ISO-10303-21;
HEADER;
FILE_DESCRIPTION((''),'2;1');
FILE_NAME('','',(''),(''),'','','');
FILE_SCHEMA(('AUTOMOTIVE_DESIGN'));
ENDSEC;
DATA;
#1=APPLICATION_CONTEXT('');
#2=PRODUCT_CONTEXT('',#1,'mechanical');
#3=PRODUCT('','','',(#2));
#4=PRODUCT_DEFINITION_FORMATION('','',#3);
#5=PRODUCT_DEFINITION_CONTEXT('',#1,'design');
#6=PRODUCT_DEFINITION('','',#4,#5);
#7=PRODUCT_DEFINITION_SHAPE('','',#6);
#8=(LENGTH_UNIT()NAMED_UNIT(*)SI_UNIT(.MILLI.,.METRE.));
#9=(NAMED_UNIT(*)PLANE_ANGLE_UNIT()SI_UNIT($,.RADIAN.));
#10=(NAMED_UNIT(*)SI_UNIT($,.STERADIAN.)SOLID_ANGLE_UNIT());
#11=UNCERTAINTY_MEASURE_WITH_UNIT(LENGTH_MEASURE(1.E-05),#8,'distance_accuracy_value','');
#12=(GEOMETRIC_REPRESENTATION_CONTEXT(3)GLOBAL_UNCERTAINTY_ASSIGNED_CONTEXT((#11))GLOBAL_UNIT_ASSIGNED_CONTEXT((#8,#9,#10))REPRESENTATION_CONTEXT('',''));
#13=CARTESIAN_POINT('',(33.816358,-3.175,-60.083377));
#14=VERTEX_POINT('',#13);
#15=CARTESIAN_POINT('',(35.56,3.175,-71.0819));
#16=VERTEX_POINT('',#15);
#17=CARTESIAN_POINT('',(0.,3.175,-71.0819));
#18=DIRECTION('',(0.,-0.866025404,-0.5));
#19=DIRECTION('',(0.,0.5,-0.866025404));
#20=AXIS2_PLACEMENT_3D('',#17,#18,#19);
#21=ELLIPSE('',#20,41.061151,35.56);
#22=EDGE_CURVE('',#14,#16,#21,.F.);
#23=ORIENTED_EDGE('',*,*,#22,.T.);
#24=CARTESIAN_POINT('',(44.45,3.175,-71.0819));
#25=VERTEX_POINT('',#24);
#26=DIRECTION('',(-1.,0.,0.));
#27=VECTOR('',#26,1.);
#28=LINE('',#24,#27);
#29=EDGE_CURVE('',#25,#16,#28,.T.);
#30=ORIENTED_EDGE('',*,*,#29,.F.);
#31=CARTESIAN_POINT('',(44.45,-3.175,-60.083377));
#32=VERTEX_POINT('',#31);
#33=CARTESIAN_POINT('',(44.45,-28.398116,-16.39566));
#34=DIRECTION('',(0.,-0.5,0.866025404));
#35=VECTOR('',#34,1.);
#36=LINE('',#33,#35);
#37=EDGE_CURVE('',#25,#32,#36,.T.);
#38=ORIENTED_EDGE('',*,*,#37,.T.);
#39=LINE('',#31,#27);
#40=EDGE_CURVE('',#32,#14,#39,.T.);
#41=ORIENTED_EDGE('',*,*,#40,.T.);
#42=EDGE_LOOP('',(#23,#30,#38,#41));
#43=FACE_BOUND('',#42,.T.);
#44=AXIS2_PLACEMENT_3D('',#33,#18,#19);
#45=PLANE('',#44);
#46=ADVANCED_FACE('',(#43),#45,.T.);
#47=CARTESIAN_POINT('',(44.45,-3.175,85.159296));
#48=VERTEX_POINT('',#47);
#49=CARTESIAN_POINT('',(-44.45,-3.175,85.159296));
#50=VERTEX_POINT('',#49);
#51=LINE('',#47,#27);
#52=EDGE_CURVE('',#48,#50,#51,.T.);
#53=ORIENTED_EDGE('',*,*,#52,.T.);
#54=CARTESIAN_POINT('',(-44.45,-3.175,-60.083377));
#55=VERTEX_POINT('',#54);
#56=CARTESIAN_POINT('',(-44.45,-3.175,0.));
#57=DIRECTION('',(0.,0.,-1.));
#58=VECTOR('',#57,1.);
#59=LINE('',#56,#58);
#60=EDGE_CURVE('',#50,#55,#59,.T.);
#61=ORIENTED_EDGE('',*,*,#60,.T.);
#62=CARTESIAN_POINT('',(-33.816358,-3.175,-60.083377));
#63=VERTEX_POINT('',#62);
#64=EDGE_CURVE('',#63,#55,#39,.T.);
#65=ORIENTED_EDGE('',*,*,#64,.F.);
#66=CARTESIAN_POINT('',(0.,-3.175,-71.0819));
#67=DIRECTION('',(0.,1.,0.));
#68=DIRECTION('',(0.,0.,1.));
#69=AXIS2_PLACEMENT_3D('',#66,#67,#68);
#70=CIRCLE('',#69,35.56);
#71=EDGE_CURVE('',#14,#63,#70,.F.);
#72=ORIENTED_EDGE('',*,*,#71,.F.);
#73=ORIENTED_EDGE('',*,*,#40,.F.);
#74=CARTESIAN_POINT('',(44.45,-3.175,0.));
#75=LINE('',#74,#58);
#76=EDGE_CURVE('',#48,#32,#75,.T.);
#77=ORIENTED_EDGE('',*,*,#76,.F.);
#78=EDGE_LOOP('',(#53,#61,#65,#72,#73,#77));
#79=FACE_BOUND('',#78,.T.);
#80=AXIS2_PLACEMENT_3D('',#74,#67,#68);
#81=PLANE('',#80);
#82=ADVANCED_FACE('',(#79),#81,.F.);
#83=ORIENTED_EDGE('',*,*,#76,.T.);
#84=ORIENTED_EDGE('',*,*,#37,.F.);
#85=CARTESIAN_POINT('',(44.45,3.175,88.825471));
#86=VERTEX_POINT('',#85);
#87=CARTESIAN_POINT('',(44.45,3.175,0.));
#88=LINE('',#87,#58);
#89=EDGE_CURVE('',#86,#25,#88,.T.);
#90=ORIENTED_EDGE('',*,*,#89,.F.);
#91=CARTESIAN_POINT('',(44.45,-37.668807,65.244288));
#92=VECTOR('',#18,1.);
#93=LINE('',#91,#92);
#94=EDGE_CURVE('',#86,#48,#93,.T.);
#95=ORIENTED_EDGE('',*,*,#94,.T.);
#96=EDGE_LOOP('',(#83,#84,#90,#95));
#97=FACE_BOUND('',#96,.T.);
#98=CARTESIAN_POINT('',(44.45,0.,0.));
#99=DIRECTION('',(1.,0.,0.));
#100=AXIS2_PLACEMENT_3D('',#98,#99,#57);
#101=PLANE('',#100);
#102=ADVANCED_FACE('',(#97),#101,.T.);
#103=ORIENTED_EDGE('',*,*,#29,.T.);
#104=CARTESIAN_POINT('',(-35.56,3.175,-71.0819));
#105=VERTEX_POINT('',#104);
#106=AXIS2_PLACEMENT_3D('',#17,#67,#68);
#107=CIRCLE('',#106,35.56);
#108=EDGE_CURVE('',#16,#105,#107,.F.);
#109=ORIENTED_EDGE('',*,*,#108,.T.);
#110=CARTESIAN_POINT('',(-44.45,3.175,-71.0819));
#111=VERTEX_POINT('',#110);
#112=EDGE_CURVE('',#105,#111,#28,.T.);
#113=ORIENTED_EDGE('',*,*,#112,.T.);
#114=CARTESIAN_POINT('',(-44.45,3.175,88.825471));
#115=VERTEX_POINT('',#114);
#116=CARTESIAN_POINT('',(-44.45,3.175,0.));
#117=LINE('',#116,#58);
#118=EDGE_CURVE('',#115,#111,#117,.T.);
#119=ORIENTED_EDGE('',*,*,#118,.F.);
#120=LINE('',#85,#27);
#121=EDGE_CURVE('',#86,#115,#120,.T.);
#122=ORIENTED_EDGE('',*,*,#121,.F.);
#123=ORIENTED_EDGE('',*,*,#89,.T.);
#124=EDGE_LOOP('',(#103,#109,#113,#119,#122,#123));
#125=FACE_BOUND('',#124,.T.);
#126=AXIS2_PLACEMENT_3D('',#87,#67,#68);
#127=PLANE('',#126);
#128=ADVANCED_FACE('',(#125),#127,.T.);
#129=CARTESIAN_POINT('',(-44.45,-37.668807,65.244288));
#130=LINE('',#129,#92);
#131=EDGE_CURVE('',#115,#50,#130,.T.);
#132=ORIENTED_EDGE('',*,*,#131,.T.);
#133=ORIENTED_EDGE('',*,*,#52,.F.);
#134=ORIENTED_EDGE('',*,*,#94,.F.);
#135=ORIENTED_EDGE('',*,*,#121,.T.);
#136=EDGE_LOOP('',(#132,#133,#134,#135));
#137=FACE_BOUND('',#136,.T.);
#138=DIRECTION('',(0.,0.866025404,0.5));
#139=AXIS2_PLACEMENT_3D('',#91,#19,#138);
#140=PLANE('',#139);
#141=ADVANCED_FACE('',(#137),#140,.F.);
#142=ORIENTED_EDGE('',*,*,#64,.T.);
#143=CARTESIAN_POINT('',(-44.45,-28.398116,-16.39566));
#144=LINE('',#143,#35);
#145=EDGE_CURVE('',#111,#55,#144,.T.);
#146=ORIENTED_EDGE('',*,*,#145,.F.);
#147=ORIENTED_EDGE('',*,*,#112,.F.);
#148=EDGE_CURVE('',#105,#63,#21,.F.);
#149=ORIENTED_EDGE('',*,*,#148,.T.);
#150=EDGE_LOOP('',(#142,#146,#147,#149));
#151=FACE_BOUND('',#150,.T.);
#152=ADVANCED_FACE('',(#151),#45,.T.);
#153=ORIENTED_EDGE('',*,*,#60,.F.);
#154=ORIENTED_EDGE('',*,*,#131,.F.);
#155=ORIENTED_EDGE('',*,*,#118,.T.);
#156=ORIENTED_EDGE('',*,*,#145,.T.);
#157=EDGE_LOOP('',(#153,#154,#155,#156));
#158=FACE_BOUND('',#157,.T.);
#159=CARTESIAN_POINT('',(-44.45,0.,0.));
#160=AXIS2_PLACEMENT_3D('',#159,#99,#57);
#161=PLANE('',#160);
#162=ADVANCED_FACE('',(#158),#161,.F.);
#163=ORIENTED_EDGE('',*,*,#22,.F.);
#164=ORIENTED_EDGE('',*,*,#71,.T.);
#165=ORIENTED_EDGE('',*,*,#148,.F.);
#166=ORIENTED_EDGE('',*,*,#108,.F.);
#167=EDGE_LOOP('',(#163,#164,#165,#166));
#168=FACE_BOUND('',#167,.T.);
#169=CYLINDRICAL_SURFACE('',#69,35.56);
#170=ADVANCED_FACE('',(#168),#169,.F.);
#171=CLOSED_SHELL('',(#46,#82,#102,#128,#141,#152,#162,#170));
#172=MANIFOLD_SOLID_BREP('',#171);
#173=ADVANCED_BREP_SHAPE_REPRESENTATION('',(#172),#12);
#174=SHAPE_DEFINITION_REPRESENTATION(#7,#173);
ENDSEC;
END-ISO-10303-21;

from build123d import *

# Parameters (mm, degrees)
BOSS_EXTRUDE1_DEPTH = 44.45
CUT_EXTRUDE1_DEPTH  = 7.35


with BuildPart() as part:
    # Sketch3 → Boss-Extrude1 (new body, symmetric)
    with BuildSketch(Plane(origin=(0, 0, 0), x_dir=(0, 0, -1), z_dir=(1, 0, 0))):
        Polygon((-88.825470595, 3.175), (-85.159296386, -3.175), (60.083377372, -3.175), (71.0819, 3.175), align=None)
    extrude(amount=BOSS_EXTRUDE1_DEPTH, both=True)

    # Sketch5 → Cut-Extrude1 (cut, through all)
    with BuildSketch(Plane(origin=(0, 3.175, 0), x_dir=(1, 0, 0), z_dir=(0, 1, 0))):
        with BuildLine():
            ThreePointArc((-35.56, 71.0819), (0, 35.5219), (35.56, 71.0819))
            Line((35.56, 71.0819), (-35.56, 71.0819))
        make_face()
    extrude(amount=-CUT_EXTRUDE1_DEPTH, mode=Mode.SUBTRACT)


solid = part.part
